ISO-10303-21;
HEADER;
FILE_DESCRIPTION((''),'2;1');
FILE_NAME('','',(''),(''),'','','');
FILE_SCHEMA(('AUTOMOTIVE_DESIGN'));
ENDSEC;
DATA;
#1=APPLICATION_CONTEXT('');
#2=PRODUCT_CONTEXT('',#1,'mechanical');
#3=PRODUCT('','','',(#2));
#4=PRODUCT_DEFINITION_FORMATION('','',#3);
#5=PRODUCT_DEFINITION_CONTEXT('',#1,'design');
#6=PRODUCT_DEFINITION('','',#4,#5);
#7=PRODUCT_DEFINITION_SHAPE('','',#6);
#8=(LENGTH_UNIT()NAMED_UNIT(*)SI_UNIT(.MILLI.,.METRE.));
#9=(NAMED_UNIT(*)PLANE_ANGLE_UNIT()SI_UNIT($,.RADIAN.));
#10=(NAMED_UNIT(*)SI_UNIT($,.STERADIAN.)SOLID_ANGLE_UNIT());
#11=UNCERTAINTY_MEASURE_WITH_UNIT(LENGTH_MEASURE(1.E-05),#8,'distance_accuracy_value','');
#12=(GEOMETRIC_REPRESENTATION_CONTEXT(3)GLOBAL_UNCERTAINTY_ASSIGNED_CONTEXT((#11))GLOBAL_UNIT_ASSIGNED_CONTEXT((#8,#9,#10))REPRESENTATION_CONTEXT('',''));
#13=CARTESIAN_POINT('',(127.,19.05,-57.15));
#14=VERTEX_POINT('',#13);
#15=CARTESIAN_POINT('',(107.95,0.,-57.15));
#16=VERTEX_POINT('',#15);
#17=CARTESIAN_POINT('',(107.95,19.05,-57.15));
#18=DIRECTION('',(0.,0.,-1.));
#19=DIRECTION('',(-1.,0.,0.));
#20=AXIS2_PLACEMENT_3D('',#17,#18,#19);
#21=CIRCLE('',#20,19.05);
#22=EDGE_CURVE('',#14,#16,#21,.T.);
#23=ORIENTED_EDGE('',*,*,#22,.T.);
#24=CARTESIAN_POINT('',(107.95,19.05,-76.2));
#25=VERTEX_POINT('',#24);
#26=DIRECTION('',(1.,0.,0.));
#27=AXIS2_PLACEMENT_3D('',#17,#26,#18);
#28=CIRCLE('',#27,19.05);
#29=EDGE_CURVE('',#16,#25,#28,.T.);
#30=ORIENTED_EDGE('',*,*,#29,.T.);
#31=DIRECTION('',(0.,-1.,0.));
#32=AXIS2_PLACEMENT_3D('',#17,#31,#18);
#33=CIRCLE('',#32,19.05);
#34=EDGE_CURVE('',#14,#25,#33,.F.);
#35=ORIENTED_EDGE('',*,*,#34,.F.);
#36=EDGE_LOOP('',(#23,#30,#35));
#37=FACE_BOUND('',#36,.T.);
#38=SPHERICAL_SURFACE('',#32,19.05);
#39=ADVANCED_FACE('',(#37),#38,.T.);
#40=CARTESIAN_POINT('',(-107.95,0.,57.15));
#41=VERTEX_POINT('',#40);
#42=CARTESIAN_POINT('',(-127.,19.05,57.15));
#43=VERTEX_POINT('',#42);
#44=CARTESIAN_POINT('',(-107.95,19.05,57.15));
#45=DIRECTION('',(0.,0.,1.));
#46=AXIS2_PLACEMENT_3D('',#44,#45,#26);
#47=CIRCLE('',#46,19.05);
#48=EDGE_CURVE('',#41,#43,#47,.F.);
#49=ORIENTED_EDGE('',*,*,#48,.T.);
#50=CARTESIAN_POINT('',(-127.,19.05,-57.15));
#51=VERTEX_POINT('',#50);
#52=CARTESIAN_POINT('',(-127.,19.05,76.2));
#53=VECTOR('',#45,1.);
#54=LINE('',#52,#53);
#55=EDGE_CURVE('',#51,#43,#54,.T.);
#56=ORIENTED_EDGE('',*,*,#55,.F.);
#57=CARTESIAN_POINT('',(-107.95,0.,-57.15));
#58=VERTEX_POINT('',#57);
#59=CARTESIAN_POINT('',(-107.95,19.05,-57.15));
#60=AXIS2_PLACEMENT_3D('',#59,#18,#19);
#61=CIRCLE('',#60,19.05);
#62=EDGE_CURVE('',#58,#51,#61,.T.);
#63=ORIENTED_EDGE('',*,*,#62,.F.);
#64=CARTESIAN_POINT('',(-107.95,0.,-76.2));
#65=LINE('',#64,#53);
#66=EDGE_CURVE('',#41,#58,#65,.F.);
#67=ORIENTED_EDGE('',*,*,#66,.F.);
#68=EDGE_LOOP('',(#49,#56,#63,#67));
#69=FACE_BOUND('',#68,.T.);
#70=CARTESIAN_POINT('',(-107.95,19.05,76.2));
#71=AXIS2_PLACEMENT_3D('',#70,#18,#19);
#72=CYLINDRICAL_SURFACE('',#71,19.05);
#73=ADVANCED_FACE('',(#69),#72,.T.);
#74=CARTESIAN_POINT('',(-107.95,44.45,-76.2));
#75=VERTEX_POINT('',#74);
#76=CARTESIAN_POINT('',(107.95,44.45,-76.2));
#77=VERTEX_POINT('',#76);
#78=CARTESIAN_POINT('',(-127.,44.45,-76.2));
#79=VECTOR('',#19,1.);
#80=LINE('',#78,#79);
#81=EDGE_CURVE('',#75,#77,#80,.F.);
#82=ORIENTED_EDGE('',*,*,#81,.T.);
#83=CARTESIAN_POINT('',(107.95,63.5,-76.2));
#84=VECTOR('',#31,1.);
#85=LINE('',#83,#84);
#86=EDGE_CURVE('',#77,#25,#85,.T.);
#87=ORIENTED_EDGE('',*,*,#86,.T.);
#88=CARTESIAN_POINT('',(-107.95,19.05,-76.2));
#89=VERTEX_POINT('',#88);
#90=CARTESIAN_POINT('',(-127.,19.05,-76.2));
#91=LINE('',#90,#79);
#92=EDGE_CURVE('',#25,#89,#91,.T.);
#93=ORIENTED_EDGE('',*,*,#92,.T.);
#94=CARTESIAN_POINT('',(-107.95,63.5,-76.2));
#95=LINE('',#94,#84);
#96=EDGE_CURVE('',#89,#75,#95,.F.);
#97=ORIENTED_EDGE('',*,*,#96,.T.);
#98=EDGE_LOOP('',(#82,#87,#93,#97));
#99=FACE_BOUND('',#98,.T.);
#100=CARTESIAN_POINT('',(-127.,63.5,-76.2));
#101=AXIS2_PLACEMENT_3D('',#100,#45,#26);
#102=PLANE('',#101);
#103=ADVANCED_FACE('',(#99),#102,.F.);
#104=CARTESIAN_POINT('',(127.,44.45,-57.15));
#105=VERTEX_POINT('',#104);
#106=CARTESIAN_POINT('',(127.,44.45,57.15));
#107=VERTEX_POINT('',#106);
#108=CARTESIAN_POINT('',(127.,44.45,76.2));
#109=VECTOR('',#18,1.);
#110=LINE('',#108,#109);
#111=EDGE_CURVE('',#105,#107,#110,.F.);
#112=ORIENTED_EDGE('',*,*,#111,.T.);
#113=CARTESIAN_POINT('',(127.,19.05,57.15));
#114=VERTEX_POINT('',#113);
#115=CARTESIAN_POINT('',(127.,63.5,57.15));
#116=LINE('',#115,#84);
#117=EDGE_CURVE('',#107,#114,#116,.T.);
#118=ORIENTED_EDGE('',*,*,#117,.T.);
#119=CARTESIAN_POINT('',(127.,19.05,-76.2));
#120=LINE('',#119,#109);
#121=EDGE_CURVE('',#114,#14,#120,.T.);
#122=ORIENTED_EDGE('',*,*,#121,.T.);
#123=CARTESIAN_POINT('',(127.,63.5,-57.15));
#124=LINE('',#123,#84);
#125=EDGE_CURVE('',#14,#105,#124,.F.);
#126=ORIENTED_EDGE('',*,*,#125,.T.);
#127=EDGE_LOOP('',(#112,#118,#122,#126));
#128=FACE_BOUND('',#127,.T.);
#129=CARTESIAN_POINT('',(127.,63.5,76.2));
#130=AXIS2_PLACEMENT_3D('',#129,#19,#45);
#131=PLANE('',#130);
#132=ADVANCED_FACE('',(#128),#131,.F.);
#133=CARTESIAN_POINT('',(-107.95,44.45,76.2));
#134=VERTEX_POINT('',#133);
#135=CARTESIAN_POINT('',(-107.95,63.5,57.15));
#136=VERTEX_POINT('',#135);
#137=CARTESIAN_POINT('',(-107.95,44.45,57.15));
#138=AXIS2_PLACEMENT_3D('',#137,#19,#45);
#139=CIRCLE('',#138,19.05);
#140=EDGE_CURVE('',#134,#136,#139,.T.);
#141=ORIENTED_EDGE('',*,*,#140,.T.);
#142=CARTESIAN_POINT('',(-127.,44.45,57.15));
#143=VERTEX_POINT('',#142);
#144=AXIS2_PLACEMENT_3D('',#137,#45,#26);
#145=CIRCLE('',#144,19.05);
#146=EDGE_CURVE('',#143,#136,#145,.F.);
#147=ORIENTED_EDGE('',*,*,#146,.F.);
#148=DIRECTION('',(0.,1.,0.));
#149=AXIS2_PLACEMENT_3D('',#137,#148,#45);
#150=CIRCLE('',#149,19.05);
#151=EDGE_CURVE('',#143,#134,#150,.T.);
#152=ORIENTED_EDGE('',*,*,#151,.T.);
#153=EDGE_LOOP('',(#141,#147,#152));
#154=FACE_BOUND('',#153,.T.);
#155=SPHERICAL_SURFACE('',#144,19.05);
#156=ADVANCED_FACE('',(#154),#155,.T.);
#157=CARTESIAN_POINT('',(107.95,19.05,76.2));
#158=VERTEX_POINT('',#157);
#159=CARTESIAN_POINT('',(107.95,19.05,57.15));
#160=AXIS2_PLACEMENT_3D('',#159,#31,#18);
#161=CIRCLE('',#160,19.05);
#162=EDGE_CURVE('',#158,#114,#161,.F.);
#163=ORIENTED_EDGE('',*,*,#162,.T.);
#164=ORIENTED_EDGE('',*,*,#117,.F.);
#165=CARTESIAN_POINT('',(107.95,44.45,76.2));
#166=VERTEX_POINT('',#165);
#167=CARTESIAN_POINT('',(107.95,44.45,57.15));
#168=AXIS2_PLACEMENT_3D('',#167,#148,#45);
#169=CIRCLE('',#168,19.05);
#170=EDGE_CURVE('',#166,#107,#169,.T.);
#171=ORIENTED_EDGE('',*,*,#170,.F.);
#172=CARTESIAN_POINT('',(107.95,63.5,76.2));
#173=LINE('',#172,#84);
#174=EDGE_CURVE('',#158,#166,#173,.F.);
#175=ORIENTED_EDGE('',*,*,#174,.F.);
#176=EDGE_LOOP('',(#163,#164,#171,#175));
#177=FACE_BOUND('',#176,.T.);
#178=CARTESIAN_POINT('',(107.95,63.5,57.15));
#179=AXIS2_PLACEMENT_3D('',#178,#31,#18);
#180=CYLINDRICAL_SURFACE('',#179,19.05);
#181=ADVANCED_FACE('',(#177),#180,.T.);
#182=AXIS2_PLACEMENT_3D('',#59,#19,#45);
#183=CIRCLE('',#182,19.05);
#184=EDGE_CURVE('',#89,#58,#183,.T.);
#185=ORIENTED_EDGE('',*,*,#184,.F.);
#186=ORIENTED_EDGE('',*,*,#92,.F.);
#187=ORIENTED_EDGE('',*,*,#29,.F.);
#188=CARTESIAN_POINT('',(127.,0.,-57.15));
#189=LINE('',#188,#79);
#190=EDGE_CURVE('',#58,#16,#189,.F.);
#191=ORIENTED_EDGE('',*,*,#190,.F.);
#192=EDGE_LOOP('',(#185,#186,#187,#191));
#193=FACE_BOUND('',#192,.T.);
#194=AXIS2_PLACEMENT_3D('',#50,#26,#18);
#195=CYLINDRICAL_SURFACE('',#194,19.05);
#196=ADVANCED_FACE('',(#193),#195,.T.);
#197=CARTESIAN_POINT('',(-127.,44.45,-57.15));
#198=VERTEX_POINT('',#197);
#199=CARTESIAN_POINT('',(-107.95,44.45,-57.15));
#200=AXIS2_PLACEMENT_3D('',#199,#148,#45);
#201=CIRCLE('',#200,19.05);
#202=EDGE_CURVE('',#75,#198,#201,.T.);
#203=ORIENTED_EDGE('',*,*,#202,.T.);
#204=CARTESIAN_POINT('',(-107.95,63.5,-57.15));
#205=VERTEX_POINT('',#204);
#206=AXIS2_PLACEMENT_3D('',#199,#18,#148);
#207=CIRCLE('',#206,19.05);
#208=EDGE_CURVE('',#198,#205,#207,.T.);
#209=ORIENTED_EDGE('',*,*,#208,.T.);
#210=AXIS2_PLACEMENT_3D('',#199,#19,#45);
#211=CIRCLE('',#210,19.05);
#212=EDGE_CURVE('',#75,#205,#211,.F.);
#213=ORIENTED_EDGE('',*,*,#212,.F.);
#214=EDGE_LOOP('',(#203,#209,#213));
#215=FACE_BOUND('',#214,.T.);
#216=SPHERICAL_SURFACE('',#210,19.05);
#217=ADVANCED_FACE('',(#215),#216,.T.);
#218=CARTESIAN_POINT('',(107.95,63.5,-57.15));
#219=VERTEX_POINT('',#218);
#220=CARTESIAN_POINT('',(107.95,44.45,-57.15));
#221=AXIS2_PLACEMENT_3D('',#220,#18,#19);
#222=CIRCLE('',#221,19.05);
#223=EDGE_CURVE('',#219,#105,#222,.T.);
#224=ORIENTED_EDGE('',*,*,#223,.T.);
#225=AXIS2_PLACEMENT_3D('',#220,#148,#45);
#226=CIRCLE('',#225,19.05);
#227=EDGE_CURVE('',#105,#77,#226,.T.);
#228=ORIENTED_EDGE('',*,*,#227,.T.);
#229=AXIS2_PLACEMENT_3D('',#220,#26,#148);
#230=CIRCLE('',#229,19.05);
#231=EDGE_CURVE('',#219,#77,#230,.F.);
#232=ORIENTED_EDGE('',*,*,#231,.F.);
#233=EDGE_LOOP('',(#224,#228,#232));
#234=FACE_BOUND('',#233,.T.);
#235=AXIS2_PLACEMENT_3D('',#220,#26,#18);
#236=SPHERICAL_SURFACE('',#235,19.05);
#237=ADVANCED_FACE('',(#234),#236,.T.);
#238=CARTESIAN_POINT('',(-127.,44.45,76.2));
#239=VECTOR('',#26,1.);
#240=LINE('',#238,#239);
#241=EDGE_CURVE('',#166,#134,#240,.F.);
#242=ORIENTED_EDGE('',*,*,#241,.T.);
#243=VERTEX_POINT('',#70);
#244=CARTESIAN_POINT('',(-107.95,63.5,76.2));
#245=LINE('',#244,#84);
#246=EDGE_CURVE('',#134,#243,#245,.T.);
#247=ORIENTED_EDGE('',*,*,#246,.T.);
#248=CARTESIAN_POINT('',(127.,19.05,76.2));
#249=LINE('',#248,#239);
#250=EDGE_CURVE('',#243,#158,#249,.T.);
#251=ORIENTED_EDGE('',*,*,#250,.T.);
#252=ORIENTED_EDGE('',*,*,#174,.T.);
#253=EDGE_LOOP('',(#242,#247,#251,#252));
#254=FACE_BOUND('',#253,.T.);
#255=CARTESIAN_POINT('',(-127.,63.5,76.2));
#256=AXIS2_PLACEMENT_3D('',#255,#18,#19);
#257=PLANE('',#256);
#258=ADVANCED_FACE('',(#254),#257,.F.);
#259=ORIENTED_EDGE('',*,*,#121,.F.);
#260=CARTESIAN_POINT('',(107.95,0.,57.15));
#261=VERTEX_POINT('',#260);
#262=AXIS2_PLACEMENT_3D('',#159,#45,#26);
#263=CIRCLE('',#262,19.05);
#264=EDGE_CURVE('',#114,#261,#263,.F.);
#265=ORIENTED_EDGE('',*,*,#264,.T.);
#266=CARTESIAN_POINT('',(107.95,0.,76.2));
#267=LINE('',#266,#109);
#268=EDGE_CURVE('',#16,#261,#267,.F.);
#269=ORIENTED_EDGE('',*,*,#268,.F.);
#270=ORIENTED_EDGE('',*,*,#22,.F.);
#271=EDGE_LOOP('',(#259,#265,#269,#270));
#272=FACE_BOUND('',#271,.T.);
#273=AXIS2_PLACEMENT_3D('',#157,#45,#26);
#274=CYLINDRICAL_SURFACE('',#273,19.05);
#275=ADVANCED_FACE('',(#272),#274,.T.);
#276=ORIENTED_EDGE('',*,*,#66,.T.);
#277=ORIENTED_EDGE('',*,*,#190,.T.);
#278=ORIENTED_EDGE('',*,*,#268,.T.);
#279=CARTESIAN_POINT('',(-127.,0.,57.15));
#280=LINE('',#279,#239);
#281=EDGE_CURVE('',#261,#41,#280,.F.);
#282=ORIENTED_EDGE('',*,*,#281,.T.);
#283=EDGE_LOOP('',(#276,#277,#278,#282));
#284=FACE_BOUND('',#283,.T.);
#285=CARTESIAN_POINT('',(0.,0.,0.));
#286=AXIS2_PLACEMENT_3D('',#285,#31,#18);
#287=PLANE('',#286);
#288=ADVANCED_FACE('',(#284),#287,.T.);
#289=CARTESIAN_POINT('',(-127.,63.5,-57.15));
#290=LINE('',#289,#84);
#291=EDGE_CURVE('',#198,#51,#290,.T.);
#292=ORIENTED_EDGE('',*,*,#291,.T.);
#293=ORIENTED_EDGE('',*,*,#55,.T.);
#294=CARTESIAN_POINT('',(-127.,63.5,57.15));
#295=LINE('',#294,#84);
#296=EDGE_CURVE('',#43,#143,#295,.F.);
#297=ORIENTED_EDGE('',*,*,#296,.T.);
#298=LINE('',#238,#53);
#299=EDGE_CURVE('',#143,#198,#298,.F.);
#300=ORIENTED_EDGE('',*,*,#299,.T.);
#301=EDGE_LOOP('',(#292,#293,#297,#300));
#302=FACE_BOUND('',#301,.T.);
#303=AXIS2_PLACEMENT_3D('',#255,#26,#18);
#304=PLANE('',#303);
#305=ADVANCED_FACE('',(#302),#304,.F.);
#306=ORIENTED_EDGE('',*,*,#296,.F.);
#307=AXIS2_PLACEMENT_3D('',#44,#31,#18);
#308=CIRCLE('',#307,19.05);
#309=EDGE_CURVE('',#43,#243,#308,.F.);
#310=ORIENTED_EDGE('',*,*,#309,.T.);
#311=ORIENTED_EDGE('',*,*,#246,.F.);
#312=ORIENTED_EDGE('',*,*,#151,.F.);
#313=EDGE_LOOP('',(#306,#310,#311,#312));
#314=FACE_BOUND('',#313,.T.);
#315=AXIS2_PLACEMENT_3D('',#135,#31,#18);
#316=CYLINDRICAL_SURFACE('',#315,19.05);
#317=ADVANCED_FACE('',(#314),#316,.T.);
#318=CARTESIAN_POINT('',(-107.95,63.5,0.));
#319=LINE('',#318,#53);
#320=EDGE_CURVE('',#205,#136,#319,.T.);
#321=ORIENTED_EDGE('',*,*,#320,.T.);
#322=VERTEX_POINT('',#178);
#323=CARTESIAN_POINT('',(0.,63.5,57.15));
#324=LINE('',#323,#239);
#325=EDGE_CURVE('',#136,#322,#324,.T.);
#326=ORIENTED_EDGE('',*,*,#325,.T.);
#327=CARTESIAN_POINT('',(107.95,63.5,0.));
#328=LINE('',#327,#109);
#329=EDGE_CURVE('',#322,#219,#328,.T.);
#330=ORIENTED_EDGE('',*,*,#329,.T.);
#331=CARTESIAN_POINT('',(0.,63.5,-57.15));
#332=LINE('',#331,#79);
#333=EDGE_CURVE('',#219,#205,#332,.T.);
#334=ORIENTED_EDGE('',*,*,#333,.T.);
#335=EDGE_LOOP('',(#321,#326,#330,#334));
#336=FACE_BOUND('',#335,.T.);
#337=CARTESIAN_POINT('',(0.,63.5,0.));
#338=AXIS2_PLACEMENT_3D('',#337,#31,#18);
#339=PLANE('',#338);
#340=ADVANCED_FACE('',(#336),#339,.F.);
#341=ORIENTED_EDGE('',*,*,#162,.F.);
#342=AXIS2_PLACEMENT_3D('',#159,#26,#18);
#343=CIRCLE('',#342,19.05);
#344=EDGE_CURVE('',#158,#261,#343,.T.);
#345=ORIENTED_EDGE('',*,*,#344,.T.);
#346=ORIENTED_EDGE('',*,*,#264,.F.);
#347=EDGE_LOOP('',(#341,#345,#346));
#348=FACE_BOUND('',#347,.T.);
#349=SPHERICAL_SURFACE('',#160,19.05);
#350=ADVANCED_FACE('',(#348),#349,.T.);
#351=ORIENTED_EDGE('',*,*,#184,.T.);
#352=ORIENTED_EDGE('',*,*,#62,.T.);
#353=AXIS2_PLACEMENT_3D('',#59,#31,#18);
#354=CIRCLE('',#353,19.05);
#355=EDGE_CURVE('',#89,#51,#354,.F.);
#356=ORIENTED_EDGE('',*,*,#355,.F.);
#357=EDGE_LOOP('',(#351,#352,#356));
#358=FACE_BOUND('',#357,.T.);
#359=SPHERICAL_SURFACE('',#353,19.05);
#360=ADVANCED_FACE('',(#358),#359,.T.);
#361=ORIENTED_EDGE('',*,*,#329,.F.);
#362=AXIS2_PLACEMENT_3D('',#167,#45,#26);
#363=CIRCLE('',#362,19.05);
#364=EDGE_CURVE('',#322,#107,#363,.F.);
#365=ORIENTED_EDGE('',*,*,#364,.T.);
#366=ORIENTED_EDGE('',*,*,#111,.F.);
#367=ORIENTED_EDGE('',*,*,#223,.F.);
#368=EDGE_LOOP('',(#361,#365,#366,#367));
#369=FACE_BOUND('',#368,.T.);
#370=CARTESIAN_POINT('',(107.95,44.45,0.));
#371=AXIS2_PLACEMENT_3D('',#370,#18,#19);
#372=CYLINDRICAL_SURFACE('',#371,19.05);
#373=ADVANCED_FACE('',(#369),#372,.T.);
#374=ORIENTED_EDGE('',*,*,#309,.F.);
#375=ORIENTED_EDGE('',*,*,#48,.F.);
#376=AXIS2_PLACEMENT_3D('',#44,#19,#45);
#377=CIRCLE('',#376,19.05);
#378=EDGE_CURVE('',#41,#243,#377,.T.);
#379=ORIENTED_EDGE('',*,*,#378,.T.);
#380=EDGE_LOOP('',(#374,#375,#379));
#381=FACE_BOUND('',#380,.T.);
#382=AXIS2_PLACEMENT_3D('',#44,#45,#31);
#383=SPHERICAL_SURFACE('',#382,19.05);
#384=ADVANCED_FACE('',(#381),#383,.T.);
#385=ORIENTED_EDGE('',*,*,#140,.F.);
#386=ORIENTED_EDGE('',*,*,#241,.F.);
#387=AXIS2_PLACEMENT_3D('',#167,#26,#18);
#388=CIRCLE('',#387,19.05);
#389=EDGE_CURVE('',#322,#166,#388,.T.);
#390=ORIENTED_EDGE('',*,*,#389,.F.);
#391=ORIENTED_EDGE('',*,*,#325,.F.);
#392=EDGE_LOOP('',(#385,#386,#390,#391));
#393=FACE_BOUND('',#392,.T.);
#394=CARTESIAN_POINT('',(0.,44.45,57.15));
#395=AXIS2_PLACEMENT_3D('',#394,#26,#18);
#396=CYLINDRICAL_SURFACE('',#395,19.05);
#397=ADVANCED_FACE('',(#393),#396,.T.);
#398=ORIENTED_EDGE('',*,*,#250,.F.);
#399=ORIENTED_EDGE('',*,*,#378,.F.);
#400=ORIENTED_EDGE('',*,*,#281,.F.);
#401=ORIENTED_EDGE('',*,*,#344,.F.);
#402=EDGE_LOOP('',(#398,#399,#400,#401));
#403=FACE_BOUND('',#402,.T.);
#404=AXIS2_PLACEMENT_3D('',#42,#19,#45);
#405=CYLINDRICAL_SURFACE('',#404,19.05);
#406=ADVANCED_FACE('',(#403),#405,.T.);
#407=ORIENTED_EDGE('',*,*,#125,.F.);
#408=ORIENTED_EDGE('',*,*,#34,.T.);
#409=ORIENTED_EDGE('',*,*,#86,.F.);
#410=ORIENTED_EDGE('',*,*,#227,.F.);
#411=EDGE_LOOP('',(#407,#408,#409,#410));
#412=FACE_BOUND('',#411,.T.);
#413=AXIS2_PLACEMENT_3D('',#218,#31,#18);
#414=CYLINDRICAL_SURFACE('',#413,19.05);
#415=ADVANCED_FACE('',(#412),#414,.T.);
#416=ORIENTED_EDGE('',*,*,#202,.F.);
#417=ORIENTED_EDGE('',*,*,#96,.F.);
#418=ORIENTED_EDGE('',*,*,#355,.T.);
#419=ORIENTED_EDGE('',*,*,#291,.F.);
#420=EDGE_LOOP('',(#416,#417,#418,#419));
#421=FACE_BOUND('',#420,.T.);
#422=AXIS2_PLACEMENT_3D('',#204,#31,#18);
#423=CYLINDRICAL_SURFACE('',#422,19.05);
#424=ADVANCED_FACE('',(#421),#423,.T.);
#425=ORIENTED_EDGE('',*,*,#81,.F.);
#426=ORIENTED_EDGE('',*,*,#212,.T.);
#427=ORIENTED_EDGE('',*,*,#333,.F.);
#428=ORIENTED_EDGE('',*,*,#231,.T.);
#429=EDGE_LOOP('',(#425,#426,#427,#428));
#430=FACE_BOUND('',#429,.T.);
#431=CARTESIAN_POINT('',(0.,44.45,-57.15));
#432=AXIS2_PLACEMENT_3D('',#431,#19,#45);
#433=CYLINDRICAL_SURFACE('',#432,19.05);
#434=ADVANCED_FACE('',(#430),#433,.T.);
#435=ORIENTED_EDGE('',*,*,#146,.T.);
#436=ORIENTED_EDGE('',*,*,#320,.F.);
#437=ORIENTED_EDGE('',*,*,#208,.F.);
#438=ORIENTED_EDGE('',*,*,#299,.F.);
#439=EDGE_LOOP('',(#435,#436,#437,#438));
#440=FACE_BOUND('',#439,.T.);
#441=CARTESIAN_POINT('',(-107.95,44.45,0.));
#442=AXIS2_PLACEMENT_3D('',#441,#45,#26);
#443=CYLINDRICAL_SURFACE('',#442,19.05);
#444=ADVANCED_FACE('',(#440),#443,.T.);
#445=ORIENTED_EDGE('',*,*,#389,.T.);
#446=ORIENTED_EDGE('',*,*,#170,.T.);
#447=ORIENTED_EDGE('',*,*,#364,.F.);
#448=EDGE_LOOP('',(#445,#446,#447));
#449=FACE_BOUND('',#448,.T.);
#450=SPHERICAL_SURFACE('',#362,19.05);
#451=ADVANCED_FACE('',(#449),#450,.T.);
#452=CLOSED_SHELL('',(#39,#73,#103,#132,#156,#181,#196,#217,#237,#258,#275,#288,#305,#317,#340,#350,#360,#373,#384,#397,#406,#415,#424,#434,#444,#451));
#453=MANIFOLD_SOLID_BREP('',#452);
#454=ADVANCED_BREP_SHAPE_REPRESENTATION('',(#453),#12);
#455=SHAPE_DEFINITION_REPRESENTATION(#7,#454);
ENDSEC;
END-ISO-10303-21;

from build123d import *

# Parameters (mm, degrees)
SKETCH1_W           = 254
SKETCH1_H           = 152.4
BOSS_EXTRUDE1_DEPTH = 63.5
FILLET1_R           = 19.05


with BuildPart() as part:
    # Sketch1 → Boss-Extrude1 (new body)
    with BuildSketch(Plane(origin=(0, 0, 0), x_dir=(1, 0, 0), z_dir=(0, 1, 0))):
        Rectangle(SKETCH1_W, SKETCH1_H)
    extrude(amount=BOSS_EXTRUDE1_DEPTH)

    # Fillet1
    fillet1_edges = [part.edges().sort_by_distance(p)[0] for p in [
        (-127, 63.5, 0),
        (0, 63.5, 76.2),
        (127, 63.5, 0),
        (0, 0, 76.2),
        (-127, 0, 0),
        (0, 0, -76.2),
        (127, 0, 0),
        (127, 31.75, 76.2),
        (-127, 31.75, 76.2),
        (-127, 31.75, -76.2),
        (127, 31.75, -76.2),
        (0, 63.5, -76.2),
    ]]
    fillet(fillet1_edges, radius=FILLET1_R)


solid = part.part
